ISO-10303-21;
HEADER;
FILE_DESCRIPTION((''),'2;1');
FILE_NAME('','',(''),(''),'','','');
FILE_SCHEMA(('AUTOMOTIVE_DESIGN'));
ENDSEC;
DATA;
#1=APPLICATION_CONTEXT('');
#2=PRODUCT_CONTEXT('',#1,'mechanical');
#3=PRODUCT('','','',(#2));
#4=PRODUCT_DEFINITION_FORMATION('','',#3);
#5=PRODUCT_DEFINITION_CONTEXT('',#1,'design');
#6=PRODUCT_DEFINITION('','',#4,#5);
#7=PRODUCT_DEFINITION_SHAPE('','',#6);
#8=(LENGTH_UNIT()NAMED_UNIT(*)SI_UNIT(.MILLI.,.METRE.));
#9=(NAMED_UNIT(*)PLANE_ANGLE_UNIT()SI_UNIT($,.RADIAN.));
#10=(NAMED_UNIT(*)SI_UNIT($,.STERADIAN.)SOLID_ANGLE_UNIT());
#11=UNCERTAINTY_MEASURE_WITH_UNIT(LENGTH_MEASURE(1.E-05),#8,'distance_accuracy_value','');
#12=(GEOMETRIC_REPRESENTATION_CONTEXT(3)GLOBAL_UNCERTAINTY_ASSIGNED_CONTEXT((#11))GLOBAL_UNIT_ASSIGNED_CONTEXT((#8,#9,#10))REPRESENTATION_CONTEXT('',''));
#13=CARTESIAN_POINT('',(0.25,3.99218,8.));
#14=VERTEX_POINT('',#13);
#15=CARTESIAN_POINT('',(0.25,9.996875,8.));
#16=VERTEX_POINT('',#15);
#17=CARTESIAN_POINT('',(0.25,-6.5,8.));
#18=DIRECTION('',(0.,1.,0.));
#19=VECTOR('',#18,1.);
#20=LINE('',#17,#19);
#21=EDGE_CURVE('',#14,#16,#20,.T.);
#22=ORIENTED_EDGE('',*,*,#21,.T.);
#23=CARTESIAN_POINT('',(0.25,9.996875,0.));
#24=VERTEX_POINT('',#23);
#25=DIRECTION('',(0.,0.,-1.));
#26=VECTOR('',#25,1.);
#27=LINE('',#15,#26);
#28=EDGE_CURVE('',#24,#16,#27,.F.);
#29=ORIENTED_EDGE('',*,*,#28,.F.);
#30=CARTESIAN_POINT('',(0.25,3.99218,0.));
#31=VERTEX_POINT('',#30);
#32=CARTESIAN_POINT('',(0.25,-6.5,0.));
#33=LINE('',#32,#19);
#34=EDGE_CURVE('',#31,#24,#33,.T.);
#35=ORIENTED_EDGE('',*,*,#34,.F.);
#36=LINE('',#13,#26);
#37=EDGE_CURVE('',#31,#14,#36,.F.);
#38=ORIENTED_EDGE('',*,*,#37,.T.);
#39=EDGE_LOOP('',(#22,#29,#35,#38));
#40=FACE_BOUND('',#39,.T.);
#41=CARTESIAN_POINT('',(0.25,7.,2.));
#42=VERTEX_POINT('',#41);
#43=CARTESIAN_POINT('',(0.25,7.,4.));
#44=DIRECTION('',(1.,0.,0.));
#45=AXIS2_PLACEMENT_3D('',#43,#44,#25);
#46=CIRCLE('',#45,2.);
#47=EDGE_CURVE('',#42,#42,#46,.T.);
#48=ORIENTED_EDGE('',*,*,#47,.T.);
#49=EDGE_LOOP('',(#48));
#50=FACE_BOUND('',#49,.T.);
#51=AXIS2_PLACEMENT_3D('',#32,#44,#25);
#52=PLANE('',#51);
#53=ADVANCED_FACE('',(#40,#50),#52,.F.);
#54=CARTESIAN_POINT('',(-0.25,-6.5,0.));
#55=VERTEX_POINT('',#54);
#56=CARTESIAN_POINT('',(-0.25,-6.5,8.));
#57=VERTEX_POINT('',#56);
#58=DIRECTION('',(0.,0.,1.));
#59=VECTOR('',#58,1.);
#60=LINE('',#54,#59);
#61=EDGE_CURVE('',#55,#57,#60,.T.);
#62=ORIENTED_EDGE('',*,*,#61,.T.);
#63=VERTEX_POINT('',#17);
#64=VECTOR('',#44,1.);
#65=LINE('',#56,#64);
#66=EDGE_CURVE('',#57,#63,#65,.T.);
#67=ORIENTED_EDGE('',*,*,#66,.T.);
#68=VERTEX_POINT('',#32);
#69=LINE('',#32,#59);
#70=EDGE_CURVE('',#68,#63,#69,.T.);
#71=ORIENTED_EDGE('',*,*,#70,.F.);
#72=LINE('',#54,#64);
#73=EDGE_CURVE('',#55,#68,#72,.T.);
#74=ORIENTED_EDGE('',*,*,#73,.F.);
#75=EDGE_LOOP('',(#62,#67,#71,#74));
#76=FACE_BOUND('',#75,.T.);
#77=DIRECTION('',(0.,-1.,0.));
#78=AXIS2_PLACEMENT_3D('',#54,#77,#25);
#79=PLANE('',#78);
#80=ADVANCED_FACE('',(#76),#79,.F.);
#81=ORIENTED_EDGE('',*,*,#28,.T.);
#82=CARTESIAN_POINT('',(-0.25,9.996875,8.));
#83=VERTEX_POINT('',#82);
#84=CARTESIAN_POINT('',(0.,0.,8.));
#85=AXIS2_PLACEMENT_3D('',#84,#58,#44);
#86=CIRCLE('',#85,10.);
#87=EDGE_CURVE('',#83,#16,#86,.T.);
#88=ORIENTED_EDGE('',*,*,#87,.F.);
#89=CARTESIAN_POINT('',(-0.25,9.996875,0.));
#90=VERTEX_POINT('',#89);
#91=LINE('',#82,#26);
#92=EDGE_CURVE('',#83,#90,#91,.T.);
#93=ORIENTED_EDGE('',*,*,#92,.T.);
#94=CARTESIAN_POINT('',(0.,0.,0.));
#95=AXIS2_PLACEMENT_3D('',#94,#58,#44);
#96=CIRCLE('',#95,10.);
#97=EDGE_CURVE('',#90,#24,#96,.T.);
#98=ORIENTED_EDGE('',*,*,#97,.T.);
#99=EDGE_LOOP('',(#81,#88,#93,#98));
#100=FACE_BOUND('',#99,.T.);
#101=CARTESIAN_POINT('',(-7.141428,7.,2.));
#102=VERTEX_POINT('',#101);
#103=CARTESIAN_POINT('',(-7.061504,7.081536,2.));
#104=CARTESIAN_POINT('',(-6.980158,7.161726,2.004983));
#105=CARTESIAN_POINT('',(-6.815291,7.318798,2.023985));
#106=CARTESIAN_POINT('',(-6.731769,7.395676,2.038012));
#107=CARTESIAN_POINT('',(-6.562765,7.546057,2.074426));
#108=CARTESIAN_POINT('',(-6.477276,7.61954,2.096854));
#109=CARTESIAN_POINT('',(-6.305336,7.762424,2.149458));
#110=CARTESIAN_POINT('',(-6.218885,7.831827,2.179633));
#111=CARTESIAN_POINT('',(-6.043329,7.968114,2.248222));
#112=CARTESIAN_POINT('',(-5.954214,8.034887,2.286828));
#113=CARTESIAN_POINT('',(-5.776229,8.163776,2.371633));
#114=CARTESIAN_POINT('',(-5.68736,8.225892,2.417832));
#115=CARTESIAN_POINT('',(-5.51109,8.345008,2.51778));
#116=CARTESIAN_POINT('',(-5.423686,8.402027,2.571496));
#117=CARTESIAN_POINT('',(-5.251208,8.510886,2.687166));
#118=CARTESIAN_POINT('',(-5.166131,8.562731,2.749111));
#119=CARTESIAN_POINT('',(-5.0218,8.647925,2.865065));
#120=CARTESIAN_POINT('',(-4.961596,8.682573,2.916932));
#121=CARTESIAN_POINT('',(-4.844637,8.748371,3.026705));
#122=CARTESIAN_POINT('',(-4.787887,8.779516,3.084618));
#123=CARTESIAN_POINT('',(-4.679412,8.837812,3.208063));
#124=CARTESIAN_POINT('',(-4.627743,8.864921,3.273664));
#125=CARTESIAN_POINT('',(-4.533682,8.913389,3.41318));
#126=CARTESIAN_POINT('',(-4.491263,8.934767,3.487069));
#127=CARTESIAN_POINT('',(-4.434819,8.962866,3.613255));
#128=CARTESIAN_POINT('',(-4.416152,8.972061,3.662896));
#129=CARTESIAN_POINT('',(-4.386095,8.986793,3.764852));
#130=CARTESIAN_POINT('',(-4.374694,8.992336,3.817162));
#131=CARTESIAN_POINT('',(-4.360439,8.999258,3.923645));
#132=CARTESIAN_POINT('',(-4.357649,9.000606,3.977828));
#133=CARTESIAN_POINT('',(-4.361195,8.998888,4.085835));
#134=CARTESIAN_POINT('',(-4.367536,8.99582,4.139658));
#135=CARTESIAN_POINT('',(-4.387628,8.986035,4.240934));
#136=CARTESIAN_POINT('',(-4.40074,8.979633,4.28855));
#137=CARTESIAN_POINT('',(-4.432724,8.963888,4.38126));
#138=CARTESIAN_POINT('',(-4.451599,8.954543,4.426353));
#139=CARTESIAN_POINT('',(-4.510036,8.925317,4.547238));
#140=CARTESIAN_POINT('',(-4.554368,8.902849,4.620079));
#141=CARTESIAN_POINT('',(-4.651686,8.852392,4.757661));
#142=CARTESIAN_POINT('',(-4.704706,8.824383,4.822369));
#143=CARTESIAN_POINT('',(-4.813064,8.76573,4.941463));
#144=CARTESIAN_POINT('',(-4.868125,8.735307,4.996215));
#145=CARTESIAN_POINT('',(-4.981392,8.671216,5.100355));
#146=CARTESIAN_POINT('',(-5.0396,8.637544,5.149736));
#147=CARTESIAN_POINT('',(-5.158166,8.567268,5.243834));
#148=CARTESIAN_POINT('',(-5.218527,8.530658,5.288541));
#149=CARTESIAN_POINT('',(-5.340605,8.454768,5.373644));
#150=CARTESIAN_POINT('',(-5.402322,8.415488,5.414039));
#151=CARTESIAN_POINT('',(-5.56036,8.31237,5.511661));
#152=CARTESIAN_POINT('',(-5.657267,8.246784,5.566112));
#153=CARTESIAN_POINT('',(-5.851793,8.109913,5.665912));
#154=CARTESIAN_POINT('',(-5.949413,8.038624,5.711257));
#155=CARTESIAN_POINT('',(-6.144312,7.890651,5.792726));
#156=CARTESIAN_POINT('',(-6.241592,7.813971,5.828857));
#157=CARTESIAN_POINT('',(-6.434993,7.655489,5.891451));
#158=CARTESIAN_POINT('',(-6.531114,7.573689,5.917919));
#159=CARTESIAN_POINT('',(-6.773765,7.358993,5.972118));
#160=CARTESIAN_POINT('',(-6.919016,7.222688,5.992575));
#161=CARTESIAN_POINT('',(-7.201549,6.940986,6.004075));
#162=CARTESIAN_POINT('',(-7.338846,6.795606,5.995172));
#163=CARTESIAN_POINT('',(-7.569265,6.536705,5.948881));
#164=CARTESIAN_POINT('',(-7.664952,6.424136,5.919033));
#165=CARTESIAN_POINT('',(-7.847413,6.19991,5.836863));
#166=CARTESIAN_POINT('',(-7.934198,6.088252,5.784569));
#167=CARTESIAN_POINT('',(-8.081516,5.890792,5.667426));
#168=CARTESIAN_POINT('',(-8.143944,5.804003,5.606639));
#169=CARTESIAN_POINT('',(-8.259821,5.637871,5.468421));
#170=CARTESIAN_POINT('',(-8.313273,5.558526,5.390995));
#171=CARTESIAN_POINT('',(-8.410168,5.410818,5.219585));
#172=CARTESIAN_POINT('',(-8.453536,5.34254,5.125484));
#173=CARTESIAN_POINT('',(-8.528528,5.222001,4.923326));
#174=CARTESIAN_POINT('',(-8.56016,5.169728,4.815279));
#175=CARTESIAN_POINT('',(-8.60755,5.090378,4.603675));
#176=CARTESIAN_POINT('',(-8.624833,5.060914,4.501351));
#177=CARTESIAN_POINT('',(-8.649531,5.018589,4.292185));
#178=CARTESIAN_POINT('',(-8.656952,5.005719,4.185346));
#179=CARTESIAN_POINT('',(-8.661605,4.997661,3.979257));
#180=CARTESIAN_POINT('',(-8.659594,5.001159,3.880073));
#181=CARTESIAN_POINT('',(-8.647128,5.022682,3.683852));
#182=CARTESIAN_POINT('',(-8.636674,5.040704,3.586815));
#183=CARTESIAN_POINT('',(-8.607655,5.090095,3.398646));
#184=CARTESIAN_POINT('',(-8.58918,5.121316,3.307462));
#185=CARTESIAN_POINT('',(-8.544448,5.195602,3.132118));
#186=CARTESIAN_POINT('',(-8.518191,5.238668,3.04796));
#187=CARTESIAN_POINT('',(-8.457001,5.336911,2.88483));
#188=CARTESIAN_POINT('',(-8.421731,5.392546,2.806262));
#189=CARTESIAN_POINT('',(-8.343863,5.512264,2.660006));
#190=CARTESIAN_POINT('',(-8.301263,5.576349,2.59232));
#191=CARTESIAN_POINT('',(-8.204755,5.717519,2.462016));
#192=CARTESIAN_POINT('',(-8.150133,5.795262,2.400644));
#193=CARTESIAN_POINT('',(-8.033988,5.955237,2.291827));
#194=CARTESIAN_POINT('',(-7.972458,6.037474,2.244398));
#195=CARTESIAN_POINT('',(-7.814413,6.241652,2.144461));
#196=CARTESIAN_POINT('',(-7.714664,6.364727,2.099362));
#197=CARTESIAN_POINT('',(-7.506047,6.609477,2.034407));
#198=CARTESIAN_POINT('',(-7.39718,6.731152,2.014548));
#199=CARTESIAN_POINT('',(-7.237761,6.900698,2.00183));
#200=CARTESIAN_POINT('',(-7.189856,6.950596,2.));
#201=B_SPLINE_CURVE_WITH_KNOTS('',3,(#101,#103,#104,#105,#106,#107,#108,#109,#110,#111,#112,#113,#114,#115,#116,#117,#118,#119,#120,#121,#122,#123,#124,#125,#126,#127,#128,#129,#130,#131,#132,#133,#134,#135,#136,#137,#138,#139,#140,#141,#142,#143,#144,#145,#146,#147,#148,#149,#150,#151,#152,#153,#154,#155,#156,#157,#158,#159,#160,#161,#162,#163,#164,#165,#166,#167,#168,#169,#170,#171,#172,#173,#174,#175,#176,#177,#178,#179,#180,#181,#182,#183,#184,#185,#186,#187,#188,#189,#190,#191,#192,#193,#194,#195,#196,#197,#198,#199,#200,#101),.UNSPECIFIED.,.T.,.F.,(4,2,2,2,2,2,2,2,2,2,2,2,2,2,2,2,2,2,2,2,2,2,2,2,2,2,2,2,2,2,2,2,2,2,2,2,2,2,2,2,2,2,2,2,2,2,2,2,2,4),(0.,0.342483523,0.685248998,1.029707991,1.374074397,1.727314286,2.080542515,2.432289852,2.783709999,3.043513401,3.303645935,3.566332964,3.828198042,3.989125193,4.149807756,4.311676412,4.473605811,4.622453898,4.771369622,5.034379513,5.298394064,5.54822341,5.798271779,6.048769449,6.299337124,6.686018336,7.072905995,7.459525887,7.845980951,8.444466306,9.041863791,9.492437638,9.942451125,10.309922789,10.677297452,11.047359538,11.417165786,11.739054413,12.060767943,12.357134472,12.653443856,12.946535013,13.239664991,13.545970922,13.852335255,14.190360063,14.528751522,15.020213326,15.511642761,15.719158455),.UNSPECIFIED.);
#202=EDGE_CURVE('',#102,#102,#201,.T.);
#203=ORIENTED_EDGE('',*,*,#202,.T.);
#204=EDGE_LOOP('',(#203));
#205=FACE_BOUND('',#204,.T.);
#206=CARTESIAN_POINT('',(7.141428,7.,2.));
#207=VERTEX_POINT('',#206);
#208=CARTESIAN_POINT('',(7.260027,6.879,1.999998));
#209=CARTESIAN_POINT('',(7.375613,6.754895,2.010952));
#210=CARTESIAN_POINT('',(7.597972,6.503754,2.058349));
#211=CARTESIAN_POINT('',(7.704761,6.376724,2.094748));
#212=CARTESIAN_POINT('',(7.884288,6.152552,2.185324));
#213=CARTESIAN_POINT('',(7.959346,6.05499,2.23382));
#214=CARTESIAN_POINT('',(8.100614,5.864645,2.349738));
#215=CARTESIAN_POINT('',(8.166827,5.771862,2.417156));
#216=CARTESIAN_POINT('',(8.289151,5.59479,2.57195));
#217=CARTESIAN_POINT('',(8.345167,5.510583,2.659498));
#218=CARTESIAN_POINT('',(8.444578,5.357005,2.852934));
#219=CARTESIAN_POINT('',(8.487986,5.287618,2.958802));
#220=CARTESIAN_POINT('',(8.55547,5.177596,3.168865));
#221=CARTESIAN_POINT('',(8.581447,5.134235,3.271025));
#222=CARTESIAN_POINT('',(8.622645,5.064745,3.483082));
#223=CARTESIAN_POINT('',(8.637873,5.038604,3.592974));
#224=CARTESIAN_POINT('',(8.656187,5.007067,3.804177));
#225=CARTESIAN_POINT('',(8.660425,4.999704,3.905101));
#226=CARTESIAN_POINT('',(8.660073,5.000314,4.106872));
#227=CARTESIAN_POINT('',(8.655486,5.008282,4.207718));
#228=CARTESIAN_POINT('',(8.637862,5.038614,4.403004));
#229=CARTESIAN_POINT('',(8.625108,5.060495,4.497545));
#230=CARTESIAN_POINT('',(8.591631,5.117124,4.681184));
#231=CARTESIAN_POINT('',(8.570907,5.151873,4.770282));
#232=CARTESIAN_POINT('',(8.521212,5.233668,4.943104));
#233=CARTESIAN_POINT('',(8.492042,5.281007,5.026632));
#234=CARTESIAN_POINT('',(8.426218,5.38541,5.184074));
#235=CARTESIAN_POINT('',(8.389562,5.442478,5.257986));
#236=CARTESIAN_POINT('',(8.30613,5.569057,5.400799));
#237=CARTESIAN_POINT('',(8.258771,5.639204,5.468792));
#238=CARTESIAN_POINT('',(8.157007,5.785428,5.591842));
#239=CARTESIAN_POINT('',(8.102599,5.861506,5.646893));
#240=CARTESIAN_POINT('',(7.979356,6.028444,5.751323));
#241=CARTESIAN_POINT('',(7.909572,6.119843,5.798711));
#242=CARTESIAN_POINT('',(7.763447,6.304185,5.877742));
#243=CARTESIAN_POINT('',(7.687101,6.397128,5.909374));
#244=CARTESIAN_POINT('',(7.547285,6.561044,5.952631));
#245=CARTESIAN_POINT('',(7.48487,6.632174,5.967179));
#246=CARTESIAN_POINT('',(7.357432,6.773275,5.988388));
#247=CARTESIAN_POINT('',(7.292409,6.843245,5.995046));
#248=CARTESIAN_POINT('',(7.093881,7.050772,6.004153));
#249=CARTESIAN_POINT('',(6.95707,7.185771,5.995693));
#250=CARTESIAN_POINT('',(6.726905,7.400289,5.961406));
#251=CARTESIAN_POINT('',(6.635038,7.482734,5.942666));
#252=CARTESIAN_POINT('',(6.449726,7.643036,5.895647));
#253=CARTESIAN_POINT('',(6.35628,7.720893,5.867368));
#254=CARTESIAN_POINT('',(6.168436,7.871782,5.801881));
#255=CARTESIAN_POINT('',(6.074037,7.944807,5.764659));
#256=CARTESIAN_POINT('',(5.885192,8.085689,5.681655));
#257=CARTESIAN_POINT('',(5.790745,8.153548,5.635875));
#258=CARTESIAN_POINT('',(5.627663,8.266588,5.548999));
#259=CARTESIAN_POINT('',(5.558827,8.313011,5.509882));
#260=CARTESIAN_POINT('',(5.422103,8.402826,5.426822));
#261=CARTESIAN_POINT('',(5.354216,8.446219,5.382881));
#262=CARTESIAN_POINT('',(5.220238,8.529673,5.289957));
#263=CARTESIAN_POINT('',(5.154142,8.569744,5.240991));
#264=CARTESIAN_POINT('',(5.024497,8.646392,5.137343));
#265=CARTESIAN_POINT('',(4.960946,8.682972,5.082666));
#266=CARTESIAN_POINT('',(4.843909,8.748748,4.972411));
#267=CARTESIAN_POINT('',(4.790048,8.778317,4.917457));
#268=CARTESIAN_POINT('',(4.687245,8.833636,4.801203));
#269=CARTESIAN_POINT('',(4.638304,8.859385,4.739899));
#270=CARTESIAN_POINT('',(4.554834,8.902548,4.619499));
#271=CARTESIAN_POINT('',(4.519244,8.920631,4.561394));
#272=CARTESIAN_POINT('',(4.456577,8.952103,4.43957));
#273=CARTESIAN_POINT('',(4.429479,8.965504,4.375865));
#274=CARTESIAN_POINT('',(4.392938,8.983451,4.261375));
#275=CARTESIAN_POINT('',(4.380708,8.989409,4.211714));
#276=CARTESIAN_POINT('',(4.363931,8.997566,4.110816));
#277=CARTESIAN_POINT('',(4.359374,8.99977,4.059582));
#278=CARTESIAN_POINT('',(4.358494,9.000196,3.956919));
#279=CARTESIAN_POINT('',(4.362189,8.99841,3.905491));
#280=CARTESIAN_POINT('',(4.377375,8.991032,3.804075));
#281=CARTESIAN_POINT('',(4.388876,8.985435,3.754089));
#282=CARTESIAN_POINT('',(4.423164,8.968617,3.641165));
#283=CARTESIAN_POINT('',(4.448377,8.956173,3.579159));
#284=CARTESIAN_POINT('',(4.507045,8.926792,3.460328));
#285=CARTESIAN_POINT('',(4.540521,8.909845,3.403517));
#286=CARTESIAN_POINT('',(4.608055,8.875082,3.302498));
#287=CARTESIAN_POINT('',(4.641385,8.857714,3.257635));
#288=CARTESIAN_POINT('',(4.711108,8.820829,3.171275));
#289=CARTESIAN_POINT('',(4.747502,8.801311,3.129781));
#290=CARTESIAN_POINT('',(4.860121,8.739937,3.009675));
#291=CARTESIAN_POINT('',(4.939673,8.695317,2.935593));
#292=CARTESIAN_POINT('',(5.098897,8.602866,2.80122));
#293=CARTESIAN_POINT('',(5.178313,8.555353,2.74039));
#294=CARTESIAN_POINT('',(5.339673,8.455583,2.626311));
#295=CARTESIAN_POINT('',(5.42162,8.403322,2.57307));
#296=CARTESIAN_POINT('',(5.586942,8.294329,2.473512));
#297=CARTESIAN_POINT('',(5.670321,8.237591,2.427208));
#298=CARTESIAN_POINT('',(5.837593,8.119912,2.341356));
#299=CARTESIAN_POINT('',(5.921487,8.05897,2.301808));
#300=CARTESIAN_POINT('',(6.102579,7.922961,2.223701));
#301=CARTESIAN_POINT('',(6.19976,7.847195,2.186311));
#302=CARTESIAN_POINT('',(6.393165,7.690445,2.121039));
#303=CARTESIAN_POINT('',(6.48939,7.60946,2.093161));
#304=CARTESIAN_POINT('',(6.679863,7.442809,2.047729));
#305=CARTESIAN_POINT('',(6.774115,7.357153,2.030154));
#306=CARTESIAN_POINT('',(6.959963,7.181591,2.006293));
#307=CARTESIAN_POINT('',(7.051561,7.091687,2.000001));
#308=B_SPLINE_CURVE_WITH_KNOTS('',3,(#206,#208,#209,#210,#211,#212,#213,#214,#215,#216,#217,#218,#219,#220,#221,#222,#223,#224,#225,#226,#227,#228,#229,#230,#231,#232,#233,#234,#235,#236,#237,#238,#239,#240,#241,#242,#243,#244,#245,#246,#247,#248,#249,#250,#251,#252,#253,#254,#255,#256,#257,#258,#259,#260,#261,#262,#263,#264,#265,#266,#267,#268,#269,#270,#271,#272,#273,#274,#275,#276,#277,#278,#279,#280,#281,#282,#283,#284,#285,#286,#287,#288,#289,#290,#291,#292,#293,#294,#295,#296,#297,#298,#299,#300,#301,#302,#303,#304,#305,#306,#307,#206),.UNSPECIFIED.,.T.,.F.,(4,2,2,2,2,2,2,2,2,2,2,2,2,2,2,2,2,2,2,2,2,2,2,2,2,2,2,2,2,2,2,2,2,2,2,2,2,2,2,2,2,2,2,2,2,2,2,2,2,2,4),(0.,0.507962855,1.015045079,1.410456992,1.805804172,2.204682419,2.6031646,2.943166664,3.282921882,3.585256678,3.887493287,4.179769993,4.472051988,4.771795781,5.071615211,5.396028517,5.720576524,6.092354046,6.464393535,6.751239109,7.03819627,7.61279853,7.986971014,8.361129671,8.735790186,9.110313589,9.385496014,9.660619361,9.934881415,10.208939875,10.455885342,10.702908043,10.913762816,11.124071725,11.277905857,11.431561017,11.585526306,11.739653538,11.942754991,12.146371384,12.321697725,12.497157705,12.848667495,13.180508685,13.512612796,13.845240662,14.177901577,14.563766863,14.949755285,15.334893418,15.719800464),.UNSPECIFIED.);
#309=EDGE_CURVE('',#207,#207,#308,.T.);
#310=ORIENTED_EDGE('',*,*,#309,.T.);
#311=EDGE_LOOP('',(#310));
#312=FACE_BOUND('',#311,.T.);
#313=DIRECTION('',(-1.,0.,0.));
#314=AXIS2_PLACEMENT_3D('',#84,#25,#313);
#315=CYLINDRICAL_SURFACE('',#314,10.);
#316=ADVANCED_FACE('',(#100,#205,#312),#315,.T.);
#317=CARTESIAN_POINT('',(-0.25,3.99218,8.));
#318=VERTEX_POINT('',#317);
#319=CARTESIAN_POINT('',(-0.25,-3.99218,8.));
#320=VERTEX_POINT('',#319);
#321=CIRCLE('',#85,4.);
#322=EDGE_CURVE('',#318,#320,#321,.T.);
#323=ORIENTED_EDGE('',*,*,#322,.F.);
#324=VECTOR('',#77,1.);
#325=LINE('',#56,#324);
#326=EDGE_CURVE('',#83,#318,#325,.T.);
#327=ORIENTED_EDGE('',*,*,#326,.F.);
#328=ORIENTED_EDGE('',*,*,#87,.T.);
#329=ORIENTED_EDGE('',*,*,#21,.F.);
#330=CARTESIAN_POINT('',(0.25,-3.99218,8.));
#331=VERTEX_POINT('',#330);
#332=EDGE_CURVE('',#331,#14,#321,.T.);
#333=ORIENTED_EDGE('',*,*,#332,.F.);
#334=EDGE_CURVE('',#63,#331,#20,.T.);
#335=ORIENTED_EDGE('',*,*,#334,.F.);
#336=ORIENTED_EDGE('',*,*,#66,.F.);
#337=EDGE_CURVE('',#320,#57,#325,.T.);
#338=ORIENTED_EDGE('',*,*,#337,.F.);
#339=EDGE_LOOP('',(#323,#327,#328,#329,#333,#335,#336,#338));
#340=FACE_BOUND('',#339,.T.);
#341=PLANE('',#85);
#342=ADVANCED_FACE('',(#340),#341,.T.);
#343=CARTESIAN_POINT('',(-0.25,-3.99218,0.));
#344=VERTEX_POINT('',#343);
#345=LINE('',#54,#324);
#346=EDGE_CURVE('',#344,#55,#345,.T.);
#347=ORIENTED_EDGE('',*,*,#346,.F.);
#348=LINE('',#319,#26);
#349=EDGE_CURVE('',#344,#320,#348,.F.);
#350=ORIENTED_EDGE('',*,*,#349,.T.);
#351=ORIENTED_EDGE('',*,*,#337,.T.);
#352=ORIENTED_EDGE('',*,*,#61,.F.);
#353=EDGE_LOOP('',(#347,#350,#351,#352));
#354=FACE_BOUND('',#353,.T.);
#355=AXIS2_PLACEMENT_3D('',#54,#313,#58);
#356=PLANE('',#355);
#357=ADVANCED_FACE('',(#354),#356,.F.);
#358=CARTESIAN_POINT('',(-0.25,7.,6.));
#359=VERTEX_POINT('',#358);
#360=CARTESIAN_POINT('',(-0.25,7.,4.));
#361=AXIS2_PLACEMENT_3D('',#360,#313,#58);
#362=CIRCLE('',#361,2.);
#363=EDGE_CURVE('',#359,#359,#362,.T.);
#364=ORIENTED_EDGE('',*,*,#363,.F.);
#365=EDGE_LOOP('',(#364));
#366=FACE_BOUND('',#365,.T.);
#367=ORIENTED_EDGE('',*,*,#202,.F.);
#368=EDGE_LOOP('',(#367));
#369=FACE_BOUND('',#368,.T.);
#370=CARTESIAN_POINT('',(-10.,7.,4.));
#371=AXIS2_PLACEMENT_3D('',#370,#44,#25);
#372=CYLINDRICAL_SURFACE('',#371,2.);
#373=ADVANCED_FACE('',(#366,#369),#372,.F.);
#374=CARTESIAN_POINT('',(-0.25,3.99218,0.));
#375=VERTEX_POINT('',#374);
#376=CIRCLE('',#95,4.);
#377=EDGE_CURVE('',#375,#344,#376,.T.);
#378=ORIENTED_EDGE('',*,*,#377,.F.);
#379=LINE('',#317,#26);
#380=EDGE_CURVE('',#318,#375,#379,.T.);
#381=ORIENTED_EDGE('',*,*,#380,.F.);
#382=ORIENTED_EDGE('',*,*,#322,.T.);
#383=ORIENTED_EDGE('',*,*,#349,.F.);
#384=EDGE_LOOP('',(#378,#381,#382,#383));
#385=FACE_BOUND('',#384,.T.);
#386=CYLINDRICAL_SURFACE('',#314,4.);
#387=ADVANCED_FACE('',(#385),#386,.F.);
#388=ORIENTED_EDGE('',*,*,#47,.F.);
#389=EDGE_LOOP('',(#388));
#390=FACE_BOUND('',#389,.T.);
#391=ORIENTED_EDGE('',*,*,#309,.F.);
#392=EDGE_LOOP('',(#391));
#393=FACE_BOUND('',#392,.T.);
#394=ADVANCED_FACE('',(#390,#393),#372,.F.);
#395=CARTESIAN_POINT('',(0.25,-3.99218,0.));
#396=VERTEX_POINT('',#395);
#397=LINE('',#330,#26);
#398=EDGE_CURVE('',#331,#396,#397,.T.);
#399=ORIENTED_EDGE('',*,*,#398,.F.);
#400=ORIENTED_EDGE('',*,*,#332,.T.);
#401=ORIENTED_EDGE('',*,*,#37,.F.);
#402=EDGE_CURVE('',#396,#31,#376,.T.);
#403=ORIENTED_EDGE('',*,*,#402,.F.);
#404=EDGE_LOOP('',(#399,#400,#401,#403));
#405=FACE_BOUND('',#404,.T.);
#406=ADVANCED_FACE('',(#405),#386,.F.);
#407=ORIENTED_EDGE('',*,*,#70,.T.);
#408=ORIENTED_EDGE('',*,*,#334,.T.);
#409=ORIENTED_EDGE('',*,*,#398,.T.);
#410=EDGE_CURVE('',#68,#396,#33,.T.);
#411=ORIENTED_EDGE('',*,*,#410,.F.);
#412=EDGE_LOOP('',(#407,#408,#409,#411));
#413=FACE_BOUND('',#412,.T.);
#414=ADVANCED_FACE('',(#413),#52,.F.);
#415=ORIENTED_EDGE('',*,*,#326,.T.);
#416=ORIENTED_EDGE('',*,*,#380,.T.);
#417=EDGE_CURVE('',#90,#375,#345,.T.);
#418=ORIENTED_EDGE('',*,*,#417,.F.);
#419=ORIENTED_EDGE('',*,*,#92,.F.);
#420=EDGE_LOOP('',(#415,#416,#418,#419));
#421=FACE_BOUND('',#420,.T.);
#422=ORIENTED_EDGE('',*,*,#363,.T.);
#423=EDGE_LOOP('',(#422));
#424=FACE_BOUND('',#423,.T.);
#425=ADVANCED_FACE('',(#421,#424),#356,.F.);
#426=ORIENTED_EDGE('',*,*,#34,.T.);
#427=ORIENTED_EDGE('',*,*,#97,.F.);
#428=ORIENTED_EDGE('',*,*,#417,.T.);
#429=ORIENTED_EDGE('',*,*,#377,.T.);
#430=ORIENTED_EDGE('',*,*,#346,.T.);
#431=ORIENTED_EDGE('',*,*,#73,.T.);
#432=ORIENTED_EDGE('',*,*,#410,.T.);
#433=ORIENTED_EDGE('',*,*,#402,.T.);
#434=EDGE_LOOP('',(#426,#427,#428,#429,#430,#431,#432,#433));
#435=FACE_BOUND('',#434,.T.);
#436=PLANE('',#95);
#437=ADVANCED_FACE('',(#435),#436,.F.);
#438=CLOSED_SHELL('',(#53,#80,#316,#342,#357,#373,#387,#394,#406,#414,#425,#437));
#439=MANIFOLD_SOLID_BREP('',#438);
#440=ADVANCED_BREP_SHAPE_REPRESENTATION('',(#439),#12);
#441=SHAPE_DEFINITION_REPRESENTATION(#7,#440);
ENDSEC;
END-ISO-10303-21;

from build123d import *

# Parameters (mm, degrees)
SKETCH1_R               = 10
SKETCH1_R_2             = 4
BOSS_EXTRUDE1_DEPTH     = 8
SKETCH2_W               = 0.5
SKETCH2_H               = 17
CUT_EXTRUDE1_DEPTH      = 8
SKETCH3_R               = 2
CUT_EXTRUDE2_DEPTH      = 11
CUT_EXTRUDE2_DEPTH_BACK = 11


with BuildPart() as part:
    # Sketch1 → Boss-Extrude1 (new body)
    with BuildSketch(Plane.XY):
        Circle(SKETCH1_R)
        Circle(SKETCH1_R_2, mode=Mode.SUBTRACT)
    extrude(amount=BOSS_EXTRUDE1_DEPTH)

    # Sketch2 → Cut-Extrude1 (cut)
    with BuildSketch(Plane.XY.offset(8)):
        with Locations((0, 2)):
            Rectangle(SKETCH2_W, SKETCH2_H)
    extrude(amount=-CUT_EXTRUDE1_DEPTH, mode=Mode.SUBTRACT)

    # Sketch3 → Cut-Extrude2 (cut, two sides)
    with BuildSketch(Plane(origin=(0, 0, 0), x_dir=(0, 0, -1), z_dir=(1, 0, 0))) as cut_extrude2_sk:
        with Locations((-4, 7)):
            Circle(SKETCH3_R)
    extrude(amount=CUT_EXTRUDE2_DEPTH, mode=Mode.SUBTRACT)
    extrude(cut_extrude2_sk.sketch, amount=-CUT_EXTRUDE2_DEPTH_BACK, mode=Mode.SUBTRACT)


solid = part.part
